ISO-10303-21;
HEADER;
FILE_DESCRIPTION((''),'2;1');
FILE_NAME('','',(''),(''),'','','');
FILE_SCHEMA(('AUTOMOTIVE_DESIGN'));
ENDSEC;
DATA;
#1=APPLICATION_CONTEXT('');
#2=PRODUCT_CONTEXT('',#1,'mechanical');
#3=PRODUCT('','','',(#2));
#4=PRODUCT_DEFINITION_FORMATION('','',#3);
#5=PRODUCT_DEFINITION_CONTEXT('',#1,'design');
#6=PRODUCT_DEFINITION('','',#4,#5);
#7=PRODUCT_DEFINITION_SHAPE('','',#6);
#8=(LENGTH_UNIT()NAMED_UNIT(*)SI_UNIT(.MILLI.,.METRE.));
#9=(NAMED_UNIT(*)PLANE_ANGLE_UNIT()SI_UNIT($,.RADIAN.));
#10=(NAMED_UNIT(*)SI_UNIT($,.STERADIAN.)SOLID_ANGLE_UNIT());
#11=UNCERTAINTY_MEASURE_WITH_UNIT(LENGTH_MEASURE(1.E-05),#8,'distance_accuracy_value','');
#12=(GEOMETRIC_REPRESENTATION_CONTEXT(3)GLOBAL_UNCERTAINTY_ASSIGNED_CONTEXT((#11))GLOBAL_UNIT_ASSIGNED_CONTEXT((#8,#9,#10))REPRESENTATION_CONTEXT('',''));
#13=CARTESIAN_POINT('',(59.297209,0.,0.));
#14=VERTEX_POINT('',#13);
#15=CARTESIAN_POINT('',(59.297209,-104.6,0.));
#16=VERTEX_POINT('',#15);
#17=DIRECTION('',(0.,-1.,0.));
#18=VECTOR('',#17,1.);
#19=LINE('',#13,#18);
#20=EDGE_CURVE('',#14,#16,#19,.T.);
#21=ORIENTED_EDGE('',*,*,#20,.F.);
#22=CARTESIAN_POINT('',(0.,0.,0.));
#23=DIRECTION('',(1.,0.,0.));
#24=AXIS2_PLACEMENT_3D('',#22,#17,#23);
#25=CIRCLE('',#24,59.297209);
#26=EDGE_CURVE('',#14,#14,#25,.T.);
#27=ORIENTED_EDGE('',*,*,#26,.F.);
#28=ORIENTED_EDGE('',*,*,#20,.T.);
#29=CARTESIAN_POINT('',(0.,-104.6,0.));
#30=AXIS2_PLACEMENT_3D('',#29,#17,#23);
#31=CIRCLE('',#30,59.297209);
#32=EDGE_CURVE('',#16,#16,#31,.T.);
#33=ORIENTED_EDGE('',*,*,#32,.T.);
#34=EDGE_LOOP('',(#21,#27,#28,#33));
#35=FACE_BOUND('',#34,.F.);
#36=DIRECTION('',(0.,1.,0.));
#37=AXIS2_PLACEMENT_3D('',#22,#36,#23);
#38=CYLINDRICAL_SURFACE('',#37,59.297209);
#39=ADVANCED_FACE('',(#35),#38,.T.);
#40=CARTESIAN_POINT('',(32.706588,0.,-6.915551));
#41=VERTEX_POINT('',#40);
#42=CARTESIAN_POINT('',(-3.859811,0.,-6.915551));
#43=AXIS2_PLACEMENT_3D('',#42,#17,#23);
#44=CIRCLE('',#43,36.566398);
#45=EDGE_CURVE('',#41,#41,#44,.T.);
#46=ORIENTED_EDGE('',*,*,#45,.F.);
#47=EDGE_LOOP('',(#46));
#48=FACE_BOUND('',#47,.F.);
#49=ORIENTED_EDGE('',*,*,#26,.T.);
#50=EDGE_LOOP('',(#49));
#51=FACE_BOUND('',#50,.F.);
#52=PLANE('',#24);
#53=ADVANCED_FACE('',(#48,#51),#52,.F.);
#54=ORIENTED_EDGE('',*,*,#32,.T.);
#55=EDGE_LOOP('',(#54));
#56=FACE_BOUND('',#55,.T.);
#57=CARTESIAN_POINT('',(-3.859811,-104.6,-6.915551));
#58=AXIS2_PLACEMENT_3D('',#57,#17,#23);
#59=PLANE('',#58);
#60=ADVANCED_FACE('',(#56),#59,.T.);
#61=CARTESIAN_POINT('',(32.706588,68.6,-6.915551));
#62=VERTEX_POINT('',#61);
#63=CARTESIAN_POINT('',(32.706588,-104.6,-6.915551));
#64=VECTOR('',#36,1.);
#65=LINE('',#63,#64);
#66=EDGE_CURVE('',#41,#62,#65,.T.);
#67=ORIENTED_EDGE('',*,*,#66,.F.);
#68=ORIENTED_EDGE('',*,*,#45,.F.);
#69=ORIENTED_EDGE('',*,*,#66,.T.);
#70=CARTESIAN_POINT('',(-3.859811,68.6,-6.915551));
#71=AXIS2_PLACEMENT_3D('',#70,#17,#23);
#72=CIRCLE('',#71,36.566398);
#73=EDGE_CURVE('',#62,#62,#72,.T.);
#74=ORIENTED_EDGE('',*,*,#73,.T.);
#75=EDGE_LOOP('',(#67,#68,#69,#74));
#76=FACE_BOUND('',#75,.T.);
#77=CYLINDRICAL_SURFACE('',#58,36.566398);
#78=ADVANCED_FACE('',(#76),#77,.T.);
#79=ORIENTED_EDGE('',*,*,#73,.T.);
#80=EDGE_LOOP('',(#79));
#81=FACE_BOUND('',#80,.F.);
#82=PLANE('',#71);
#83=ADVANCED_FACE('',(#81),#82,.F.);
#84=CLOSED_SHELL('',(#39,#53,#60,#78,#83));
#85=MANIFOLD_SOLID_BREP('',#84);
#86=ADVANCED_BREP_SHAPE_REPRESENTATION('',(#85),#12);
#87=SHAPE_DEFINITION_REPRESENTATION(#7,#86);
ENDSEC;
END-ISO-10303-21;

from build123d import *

# Parameters (mm, degrees)
F0_R     = 59.2972087989
F0_R_2   = 45.1420859197
F1_DEPTH = 104.6
F2_R     = 36.5663983405
F3_DEPTH = 173.2


with BuildPart() as f1:
    # F0 (on Front) → F1 (new body)
    with BuildSketch(Plane.XZ):
        Circle(F0_R)
        Circle(F0_R_2, mode=Mode.SUBTRACT)
        Circle(F0_R_2)
    extrude(amount=F1_DEPTH)

    # F2 (on face) → F3 (join)
    with BuildSketch(Plane.XZ.offset(104.6)):
        with Locations((-3.8598105311, -6.9155511446)):
            Circle(F2_R)
    extrude(amount=-F3_DEPTH)


solid = f1.part
